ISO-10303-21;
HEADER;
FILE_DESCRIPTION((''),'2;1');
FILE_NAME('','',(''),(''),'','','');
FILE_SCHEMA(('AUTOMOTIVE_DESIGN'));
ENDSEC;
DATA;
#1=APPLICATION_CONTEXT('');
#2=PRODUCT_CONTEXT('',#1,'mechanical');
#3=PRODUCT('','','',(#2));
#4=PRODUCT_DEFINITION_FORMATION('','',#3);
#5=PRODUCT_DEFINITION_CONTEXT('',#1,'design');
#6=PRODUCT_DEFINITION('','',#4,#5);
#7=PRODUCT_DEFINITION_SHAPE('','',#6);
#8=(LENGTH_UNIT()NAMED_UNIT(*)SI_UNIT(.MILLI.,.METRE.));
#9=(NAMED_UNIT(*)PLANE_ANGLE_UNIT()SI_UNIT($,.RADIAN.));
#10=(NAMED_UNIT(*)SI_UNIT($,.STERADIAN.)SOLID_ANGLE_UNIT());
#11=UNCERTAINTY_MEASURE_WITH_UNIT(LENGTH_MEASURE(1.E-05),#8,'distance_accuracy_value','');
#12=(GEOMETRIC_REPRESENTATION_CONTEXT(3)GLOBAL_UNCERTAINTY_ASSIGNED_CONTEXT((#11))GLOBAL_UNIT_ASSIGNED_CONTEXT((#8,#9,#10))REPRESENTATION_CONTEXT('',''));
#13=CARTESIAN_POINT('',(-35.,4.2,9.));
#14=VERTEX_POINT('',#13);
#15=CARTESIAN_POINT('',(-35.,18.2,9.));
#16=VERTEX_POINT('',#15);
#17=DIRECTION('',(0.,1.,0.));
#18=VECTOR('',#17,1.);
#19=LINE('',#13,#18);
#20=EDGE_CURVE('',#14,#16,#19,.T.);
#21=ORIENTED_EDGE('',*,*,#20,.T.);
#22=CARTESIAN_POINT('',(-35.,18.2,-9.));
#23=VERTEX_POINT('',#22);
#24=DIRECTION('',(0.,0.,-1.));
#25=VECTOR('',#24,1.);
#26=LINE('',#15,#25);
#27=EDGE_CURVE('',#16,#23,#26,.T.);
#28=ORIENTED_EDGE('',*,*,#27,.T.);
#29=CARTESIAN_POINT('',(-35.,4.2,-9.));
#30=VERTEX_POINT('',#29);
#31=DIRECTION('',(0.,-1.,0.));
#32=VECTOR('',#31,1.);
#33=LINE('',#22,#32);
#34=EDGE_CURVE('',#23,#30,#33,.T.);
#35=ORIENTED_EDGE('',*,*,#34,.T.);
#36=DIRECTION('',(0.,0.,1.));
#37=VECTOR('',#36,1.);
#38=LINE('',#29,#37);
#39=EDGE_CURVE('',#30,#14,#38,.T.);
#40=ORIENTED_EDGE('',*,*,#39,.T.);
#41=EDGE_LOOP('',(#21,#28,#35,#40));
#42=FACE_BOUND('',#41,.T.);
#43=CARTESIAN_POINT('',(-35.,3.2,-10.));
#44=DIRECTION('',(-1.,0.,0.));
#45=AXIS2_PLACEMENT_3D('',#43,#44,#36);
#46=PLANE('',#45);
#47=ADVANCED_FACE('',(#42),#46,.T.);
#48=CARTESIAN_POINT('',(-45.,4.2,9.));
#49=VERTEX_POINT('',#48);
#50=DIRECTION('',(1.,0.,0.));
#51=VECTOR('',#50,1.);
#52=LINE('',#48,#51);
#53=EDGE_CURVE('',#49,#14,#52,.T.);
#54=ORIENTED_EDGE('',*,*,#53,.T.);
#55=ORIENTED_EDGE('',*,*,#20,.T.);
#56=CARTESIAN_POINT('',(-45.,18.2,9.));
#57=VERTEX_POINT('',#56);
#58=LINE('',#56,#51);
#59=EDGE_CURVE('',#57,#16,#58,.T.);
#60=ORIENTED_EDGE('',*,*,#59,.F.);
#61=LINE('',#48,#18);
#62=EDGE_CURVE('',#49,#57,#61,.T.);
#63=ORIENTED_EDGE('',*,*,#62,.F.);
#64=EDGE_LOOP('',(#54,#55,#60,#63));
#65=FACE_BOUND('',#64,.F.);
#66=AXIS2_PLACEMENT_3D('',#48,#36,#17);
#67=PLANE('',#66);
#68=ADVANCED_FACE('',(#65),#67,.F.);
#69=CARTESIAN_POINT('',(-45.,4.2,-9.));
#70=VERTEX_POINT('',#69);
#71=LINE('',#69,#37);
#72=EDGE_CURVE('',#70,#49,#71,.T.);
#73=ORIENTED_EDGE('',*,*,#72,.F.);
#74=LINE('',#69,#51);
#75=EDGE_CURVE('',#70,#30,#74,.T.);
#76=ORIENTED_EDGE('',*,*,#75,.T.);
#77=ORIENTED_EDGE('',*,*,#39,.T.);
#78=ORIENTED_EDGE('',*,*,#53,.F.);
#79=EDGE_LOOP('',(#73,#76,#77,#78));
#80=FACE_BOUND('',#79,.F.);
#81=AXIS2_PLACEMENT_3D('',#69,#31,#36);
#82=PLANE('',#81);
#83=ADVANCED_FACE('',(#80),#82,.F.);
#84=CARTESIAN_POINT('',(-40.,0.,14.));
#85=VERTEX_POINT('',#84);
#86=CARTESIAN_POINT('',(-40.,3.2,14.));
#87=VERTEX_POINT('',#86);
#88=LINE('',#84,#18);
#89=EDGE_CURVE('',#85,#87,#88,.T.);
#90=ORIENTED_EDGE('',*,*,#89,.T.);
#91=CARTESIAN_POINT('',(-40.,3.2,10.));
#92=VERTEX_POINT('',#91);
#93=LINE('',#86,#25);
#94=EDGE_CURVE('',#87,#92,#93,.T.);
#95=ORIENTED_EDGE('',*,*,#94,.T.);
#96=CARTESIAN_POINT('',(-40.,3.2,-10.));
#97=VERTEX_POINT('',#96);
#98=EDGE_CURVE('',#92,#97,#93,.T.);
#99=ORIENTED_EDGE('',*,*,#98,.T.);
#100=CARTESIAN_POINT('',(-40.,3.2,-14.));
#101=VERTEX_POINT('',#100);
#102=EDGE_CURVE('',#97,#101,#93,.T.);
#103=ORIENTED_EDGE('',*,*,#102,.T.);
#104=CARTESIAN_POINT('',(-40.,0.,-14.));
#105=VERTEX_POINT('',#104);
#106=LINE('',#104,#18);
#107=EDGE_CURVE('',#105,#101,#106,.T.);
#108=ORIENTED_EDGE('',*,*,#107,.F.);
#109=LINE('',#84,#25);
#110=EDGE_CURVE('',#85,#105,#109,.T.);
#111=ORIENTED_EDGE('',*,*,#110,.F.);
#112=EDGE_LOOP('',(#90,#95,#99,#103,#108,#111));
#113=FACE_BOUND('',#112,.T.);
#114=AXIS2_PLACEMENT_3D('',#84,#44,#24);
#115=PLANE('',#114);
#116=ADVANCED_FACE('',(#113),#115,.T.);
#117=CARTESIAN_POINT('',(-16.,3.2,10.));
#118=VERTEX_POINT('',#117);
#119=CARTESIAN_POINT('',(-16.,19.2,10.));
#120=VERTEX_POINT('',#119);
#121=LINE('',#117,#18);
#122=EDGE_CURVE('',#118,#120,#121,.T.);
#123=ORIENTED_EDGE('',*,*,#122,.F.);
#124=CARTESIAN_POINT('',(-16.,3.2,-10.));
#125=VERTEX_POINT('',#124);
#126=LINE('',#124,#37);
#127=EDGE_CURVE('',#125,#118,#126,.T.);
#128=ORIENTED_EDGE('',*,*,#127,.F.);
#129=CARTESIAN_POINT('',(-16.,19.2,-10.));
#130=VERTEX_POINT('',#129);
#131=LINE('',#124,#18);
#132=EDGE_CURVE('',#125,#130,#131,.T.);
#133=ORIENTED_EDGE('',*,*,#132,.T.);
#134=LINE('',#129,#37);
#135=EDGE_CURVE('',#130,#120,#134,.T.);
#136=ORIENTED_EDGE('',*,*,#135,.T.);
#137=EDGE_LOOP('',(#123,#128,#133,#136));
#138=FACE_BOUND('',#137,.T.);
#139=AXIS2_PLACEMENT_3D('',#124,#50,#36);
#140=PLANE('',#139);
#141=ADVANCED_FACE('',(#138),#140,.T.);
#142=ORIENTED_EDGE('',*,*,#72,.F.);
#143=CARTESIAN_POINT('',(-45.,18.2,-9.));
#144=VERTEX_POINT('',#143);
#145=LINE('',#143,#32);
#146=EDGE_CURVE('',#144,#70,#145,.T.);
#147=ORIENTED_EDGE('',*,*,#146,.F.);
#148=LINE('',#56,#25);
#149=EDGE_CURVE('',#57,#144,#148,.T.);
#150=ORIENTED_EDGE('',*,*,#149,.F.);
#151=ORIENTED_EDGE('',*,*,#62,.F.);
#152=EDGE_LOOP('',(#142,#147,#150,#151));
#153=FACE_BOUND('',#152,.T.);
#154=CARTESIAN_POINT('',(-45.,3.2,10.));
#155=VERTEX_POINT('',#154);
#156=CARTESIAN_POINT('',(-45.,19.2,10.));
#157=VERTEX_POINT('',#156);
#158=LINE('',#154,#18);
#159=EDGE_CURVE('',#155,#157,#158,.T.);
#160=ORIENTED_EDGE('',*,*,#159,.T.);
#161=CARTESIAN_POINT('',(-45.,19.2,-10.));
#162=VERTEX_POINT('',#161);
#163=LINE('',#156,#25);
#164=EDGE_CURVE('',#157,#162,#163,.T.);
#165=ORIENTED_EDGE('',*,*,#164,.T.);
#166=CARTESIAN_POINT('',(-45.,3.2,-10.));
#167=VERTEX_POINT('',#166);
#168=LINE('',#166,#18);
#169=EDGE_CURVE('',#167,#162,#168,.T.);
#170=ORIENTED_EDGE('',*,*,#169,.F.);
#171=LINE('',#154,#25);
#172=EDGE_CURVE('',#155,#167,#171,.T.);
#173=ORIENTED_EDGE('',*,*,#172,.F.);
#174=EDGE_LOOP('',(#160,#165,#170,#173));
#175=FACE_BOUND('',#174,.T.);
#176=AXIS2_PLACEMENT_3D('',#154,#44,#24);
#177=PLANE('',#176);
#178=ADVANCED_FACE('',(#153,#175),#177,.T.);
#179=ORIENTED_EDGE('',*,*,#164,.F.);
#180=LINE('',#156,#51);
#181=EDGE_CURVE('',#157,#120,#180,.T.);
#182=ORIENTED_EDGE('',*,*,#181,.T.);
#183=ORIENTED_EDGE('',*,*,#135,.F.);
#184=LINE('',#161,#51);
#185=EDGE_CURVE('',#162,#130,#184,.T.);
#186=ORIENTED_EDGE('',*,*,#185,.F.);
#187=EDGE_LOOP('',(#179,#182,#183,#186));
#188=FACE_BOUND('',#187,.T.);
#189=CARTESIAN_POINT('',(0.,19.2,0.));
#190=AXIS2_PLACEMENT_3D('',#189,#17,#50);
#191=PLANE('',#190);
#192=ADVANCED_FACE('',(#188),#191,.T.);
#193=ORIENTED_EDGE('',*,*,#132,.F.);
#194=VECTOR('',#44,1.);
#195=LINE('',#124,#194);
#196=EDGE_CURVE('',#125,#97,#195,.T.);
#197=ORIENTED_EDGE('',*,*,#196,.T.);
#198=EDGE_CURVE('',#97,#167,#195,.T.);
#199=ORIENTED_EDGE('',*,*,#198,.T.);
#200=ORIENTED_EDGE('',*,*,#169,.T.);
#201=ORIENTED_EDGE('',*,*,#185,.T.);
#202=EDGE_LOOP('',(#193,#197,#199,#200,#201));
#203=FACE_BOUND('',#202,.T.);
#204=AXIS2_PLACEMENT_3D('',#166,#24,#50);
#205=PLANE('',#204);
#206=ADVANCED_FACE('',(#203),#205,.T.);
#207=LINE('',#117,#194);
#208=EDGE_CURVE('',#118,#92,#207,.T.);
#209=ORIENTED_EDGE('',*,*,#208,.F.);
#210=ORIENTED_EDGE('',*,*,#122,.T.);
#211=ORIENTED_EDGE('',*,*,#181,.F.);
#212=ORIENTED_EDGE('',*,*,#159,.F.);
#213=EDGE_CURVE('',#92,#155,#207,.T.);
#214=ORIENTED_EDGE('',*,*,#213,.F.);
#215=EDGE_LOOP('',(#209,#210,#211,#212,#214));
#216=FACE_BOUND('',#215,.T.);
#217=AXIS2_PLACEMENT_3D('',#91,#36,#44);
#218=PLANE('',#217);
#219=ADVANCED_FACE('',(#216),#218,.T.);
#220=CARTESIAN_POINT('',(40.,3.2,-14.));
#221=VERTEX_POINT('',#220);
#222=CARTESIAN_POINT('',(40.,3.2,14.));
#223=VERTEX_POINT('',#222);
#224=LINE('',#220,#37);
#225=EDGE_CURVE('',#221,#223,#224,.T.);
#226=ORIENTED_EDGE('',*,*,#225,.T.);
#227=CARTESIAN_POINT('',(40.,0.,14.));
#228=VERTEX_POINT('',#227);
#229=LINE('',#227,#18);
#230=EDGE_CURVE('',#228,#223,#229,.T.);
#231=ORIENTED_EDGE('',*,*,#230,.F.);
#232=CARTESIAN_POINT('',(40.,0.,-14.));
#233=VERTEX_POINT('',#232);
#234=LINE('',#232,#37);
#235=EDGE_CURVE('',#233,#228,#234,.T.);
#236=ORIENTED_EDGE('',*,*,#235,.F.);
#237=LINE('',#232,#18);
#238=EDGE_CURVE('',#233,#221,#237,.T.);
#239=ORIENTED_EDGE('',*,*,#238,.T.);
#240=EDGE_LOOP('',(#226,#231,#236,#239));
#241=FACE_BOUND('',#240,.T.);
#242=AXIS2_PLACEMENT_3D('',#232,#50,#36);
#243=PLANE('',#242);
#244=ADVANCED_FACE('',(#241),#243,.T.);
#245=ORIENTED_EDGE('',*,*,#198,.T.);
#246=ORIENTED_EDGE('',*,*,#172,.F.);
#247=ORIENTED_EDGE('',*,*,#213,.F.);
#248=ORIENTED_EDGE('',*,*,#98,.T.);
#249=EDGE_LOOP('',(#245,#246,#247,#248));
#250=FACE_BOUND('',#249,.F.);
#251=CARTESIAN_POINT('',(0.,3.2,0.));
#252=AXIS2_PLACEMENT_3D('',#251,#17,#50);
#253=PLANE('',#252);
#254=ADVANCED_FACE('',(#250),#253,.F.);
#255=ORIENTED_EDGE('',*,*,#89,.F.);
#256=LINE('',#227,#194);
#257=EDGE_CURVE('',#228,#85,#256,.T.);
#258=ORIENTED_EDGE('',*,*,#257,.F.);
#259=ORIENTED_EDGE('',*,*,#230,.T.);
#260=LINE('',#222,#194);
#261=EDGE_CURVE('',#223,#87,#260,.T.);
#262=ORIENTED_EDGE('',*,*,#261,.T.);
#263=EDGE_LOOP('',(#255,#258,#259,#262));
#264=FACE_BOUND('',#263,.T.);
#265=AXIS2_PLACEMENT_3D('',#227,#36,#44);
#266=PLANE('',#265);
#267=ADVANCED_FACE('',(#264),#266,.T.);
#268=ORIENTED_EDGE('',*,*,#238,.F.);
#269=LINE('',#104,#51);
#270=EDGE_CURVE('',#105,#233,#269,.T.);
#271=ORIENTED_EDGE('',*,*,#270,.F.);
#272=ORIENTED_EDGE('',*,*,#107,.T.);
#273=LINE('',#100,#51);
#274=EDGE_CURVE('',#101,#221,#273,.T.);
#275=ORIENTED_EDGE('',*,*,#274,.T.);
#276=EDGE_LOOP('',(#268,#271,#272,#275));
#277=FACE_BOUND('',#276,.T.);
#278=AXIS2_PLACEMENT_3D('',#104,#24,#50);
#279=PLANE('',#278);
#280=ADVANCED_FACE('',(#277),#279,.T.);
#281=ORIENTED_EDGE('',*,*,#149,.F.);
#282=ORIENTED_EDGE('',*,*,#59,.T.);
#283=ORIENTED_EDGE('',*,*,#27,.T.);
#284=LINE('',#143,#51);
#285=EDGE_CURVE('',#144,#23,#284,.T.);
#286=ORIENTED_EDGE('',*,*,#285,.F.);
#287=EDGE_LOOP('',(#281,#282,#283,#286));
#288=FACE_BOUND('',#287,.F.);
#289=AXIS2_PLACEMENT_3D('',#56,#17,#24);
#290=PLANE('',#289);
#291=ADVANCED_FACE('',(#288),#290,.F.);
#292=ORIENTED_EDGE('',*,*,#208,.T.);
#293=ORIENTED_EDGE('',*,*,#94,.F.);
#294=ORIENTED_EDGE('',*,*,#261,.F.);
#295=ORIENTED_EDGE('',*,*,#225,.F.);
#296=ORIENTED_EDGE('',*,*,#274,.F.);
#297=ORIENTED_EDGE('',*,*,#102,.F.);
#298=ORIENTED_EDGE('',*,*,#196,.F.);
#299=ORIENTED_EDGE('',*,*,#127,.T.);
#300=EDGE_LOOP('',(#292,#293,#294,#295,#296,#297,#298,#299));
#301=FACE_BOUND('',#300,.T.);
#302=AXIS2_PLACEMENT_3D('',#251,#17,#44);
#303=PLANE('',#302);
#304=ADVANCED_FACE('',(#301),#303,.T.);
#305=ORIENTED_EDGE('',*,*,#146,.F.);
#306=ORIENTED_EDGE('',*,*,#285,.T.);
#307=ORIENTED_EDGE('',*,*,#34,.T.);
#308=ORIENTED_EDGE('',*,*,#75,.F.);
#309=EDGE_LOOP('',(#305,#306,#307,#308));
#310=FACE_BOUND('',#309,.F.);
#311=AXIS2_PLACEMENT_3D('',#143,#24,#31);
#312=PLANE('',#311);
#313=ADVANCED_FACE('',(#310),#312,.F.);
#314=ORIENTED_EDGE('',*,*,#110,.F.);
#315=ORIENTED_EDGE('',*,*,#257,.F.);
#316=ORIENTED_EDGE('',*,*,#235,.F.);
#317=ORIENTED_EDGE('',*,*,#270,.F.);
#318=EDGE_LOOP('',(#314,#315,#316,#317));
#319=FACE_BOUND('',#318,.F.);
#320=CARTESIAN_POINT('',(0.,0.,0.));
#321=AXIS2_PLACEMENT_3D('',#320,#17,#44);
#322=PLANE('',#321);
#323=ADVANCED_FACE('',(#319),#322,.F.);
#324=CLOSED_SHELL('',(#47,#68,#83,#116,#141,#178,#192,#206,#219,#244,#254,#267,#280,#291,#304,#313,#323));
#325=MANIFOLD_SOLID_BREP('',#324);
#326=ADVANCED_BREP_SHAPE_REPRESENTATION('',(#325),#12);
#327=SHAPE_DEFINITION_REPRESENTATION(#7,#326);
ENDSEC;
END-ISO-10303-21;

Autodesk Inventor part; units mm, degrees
ref_plane "YZ Plane" through (0, 0, 0) normal (1, 0, 0) x (0, 1, 0)
ref_plane "XZ Plane" through (0, 0, 0) normal (0, 1, 0) x (-1, 0, 0)
ref_plane "XY Plane" through (0, 0, 0) normal (0, 0, 1) x (1, 0, 0)
sketch "Boceto1" plane through (0, 0, 0) normal (0, 1, 0) x (-1, 0, 0)
  line L0 (-40, 14) -> (40, 14)
  line L1 (40, 14) -> (40, -14)
  line L2 (40, -14) -> (-40, -14)
  line L3 (-40, -14) -> (-40, 14)
  line L4 (-40, 14) -> (40, -14) construction
  line L5 (40, 14) -> (-40, -14) construction
  point P0 (0, 0)
  dimension "d0" = 80
  dimension "d1" = 28
extrude "Extrusión1" add sketch "Boceto1" along normal blind 3.2
sketch "Boceto2" plane through (0, 3.2, 0) normal (0, 1, 0) x (1, 0, 0)
  line L0 (-45, 10) -> (-16, 10)
  line L1 (-16, 10) -> (-16, -10)
  line L2 (-16, -10) -> (-45, -10)
  line L3 (-45, -10) -> (-45, 10)
  line L4 (-45, 10) -> (-16, -10) construction
  line L5 (-16, 10) -> (-45, -10) construction
  line L6 (-40, 14) -> (-40, -14) projected
  point P0 (0, 0)
  point P1 (-30.5, 0)
  dimension "d4" = 20
  dimension "d5" = 29
  dimension "d6" = 5
extrude "Extrusión2" add sketch "Boceto2" along normal blind 16
sketch "Boceto3" plane through (-45, 3.2, -10) normal (-1, 0, 0) x (0, 0, 1)
  line L0 (-4, 0) -> (0, 0) projected
  line L1 (20, 0) -> (20, 16) projected
  line L2 (1, 1) -> (19, 1)
  line L3 (19, 1) -> (19, 15)
  line L4 (19, 15) -> (1, 15)
  line L5 (1, 15) -> (1, 1)
  line L6 (1, 1) -> (19, 15) construction
  line L7 (19, 1) -> (1, 15) construction
  point P0 (10, -3.2)
  point P1 (0, 16)
  point P2 (10, 8)
  dimension "d9" = 18
  dimension "d10" = 14
extrude "Extrusión3" cut sketch "Boceto3" against normal blind 10
properties part number "ESP32_PoE"
